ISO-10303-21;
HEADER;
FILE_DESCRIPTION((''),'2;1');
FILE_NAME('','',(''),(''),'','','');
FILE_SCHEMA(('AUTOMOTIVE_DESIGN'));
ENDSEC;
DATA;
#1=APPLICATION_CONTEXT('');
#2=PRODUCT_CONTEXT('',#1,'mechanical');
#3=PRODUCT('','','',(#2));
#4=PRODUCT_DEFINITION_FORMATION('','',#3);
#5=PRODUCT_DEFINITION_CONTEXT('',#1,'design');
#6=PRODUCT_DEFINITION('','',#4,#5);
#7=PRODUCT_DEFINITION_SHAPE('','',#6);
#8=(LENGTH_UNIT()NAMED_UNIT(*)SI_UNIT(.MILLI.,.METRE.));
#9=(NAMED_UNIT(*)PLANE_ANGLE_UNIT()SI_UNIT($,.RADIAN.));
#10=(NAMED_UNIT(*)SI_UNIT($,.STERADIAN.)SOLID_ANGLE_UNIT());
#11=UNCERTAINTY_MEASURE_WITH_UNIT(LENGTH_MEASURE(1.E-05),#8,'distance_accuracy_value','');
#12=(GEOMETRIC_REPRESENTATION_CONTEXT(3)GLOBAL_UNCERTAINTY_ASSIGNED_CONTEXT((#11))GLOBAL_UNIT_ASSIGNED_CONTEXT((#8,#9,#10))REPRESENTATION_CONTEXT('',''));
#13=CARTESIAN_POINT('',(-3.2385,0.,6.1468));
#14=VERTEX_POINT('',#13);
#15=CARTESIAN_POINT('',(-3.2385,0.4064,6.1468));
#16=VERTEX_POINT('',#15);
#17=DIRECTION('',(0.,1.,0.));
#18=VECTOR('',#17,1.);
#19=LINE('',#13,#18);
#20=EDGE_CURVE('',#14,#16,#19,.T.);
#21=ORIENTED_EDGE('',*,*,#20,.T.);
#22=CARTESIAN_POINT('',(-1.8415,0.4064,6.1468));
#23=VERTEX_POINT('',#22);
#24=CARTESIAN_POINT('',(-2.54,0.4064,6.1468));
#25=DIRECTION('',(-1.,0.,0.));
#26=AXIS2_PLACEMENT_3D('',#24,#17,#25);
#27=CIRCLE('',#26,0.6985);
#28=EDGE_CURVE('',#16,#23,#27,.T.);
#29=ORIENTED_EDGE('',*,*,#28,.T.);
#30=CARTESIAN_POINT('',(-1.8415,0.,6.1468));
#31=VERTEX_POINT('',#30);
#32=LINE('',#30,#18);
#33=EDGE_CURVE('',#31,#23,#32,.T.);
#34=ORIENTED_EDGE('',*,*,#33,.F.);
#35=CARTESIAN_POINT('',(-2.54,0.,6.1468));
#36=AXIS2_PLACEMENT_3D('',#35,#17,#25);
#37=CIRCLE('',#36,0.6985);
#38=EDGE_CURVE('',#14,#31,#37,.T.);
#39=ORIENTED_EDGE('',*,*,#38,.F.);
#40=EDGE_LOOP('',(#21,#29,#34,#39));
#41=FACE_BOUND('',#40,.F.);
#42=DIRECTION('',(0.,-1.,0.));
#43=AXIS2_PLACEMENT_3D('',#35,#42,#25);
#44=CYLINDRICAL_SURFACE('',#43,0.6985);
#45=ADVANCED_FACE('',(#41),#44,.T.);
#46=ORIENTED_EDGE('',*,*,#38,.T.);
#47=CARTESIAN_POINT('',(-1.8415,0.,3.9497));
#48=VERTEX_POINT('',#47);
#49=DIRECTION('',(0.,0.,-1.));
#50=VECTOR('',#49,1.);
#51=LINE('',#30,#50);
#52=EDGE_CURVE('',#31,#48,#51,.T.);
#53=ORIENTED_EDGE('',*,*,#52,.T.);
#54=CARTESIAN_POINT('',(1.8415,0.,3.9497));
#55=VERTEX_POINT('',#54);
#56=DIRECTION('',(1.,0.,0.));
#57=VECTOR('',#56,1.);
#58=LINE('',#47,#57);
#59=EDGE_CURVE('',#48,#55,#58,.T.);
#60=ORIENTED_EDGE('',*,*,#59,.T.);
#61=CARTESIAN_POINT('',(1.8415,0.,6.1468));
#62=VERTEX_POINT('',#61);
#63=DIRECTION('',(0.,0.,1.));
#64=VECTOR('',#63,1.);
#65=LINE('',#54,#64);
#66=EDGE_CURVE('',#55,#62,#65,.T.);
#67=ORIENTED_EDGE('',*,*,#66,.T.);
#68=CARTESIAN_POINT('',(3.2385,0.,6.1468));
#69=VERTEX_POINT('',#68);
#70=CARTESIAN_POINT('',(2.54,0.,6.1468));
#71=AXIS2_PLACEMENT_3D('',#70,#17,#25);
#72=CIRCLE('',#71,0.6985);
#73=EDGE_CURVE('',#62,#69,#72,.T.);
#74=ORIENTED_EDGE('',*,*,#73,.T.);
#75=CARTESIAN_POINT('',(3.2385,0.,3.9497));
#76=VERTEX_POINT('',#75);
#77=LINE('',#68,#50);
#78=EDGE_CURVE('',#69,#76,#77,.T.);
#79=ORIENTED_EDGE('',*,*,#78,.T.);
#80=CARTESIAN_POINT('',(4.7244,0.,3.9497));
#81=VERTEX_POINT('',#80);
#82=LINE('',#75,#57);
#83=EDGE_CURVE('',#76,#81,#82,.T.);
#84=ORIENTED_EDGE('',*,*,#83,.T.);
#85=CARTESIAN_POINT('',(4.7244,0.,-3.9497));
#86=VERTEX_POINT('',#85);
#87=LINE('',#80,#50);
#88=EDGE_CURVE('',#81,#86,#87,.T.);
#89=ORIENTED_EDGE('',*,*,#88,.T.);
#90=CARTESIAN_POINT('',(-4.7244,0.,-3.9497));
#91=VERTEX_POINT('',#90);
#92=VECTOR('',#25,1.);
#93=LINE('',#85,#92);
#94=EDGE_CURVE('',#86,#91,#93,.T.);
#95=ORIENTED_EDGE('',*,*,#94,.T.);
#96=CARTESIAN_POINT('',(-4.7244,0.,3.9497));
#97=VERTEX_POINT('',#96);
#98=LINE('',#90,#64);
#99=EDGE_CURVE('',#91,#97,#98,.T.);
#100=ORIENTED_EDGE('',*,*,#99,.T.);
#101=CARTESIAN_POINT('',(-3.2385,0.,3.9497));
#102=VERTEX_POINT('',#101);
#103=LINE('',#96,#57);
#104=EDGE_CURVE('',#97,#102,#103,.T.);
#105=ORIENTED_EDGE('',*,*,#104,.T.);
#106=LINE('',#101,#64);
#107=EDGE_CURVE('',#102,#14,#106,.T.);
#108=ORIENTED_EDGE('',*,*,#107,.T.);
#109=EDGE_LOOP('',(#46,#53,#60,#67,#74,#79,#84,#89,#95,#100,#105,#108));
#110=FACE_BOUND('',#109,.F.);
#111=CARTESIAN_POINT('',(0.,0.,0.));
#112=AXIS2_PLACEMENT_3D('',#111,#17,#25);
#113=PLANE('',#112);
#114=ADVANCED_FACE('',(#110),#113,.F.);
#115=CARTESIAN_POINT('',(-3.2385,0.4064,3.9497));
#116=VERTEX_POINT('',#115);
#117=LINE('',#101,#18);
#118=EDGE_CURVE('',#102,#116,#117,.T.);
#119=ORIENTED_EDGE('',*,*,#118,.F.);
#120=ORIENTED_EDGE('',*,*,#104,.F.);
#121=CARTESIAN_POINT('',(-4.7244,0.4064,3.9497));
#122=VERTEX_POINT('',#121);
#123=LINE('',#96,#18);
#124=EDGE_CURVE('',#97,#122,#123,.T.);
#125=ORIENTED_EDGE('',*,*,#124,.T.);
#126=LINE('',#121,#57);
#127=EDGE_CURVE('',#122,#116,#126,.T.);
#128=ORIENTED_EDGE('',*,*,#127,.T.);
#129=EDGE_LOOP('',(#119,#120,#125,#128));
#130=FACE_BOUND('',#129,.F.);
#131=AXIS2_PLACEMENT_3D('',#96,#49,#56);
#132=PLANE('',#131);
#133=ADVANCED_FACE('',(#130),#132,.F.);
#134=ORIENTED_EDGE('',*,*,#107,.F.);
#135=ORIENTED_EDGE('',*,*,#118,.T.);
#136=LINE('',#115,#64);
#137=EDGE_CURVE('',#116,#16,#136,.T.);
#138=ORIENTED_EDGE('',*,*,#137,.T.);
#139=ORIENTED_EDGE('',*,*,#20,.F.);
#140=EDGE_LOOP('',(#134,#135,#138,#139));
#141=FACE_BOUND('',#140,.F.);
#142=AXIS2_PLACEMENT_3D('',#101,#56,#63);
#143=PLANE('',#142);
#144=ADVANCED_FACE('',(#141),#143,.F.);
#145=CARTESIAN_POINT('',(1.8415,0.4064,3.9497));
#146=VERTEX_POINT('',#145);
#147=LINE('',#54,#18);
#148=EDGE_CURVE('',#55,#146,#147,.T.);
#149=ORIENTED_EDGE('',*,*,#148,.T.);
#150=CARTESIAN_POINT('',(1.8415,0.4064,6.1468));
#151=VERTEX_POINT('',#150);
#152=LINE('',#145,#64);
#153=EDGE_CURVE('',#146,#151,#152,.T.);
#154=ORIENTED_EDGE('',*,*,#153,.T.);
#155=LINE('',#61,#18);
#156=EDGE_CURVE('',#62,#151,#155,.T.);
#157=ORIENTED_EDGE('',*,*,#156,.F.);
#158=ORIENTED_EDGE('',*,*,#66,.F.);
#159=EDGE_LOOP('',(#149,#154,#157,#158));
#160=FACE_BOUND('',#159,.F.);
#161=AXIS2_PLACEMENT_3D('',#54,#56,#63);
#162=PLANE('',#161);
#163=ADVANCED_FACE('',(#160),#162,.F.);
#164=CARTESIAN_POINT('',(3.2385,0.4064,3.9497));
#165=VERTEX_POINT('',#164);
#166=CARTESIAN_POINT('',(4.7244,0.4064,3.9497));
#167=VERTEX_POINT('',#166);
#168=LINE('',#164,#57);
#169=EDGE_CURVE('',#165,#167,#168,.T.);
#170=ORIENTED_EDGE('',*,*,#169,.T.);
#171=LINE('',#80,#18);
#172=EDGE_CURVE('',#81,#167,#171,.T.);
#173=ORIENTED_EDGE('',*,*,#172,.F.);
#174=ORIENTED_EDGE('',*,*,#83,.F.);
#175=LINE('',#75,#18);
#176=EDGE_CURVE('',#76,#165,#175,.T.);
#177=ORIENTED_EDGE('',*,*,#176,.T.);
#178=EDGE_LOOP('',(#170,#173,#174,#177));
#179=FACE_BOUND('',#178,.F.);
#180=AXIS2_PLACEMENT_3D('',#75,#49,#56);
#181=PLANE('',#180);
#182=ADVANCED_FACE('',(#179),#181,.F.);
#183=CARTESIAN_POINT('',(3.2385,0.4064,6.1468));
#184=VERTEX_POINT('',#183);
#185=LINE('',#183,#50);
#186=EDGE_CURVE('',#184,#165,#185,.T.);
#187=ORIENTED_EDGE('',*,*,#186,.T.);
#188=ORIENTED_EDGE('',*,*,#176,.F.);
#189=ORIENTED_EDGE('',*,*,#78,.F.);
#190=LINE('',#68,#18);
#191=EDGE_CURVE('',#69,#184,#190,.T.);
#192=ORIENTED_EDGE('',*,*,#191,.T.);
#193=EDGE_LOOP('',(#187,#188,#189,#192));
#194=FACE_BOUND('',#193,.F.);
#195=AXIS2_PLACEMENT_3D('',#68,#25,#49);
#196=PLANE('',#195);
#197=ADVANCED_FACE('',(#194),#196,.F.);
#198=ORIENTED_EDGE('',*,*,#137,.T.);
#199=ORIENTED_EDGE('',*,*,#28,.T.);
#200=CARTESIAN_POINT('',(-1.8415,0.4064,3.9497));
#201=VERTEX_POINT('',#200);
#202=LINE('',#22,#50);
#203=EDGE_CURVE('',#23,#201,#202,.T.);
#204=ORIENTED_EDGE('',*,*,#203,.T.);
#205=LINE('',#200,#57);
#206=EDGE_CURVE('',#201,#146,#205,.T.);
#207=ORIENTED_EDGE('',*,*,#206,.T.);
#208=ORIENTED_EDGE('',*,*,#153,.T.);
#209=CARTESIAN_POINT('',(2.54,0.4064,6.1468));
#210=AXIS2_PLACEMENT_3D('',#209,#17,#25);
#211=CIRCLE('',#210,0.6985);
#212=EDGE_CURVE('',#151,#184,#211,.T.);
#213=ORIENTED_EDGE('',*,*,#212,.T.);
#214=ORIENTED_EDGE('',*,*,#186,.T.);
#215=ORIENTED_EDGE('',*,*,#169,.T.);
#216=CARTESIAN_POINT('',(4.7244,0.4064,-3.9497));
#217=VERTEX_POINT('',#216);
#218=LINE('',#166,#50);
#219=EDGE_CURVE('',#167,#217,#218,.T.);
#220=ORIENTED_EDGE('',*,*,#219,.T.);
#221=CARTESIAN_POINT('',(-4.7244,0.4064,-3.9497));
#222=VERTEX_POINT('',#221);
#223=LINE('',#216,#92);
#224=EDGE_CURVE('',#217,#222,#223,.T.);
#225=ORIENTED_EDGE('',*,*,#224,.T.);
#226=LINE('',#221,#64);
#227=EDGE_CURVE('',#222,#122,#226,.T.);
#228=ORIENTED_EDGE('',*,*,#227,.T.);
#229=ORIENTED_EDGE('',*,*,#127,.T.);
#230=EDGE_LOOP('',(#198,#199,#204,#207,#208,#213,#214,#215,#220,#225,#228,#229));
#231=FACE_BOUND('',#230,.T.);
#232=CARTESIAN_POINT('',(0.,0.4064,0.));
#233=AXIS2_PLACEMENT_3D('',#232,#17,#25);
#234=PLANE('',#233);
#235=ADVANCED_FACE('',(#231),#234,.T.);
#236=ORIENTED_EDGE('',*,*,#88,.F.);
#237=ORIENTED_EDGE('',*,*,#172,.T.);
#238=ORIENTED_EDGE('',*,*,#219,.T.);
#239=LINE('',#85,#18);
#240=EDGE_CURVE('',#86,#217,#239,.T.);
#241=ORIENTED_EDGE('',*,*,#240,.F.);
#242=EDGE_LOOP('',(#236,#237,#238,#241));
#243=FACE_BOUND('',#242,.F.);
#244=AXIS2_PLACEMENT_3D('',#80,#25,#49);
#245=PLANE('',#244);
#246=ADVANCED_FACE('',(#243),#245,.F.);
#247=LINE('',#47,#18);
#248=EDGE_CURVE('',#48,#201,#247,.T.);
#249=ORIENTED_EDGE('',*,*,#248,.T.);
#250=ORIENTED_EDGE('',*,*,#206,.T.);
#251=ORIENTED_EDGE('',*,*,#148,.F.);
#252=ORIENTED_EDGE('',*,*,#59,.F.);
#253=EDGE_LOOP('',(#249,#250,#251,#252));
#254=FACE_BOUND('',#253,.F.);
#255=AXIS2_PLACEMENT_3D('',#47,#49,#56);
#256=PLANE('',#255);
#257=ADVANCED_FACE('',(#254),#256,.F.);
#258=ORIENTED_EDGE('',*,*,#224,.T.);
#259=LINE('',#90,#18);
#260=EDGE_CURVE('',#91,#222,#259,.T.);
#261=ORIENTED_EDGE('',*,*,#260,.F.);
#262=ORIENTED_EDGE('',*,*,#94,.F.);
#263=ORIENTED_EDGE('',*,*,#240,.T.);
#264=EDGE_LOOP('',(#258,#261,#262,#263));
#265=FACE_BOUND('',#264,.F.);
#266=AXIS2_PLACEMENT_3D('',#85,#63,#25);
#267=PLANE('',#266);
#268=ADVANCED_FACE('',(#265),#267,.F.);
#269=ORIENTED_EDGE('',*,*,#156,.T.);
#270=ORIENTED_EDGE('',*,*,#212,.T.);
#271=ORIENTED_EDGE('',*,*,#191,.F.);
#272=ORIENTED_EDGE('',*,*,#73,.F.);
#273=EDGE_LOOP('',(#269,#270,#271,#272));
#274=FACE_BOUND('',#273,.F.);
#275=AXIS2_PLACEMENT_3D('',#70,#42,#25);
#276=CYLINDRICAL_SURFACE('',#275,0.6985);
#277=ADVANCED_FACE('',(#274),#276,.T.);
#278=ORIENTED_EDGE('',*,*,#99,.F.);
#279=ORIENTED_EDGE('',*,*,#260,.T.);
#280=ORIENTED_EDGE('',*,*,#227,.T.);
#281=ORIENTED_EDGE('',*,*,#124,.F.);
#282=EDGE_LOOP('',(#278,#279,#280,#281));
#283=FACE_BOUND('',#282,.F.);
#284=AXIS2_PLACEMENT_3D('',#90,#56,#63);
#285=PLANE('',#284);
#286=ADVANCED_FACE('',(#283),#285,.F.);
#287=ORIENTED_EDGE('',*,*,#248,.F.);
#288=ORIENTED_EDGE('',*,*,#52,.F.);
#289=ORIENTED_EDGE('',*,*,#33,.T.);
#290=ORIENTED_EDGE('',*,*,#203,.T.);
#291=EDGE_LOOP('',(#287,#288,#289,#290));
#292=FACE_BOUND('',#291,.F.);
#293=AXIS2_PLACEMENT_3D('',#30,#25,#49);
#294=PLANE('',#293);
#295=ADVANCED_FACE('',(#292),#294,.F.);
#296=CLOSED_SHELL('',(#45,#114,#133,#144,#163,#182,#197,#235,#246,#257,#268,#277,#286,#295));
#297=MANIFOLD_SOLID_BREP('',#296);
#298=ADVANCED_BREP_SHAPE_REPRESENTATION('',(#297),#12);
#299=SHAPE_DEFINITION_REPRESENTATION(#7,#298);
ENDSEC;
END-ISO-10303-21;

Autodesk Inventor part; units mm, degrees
sketch "Sketch_1" plane through (0, 0, 0) normal (0, 1, 0) x (-1, 0, 0)
  line L0 (4.7244, 3.9497) -> (3.2385, 3.9497)
  line L1 (3.2385, 3.9497) -> (3.2385, 6.1468)
  arc A0 (3.2385, 6.1468) -> (1.8415, 6.1468) centre (2.54, 6.1468) ccw
  line L2 (1.8415, 6.1468) -> (1.8415, 3.9497)
  line L3 (1.8415, 3.9497) -> (-1.8415, 3.9497)
  line L4 (-1.8415, 3.9497) -> (-1.8415, 6.1468)
  arc A1 (-1.8415, 6.1468) -> (-3.2385, 6.1468) centre (-2.54, 6.1468) ccw
  line L5 (-3.2385, 6.1468) -> (-3.2385, 3.9497)
  line L6 (-3.2385, 3.9497) -> (-4.7244, 3.9497)
  line L7 (-4.7244, 3.9497) -> (-4.7244, -3.9497)
  line L8 (-4.7244, -3.9497) -> (4.7244, -3.9497)
  line L9 (4.7244, -3.9497) -> (4.7244, 3.9497)
extrude "Extrusion1" add sketch "Sketch_1" along normal blind 0.4064
ref_plane "shtrmnl_XY" through (0, 0, 0) normal (0, 1, 0) x (1, 0, 0)
ref_plane "shtrmnl_YZ" through (0, 0, 0) normal (1, 0, 0) x (0, 0, -1)
ref_plane "shtrmnl_ZX" through (0, 0, 0) normal (0, 0, -1) x (0, 1, 0)
properties part number "M201230TX-switch"
